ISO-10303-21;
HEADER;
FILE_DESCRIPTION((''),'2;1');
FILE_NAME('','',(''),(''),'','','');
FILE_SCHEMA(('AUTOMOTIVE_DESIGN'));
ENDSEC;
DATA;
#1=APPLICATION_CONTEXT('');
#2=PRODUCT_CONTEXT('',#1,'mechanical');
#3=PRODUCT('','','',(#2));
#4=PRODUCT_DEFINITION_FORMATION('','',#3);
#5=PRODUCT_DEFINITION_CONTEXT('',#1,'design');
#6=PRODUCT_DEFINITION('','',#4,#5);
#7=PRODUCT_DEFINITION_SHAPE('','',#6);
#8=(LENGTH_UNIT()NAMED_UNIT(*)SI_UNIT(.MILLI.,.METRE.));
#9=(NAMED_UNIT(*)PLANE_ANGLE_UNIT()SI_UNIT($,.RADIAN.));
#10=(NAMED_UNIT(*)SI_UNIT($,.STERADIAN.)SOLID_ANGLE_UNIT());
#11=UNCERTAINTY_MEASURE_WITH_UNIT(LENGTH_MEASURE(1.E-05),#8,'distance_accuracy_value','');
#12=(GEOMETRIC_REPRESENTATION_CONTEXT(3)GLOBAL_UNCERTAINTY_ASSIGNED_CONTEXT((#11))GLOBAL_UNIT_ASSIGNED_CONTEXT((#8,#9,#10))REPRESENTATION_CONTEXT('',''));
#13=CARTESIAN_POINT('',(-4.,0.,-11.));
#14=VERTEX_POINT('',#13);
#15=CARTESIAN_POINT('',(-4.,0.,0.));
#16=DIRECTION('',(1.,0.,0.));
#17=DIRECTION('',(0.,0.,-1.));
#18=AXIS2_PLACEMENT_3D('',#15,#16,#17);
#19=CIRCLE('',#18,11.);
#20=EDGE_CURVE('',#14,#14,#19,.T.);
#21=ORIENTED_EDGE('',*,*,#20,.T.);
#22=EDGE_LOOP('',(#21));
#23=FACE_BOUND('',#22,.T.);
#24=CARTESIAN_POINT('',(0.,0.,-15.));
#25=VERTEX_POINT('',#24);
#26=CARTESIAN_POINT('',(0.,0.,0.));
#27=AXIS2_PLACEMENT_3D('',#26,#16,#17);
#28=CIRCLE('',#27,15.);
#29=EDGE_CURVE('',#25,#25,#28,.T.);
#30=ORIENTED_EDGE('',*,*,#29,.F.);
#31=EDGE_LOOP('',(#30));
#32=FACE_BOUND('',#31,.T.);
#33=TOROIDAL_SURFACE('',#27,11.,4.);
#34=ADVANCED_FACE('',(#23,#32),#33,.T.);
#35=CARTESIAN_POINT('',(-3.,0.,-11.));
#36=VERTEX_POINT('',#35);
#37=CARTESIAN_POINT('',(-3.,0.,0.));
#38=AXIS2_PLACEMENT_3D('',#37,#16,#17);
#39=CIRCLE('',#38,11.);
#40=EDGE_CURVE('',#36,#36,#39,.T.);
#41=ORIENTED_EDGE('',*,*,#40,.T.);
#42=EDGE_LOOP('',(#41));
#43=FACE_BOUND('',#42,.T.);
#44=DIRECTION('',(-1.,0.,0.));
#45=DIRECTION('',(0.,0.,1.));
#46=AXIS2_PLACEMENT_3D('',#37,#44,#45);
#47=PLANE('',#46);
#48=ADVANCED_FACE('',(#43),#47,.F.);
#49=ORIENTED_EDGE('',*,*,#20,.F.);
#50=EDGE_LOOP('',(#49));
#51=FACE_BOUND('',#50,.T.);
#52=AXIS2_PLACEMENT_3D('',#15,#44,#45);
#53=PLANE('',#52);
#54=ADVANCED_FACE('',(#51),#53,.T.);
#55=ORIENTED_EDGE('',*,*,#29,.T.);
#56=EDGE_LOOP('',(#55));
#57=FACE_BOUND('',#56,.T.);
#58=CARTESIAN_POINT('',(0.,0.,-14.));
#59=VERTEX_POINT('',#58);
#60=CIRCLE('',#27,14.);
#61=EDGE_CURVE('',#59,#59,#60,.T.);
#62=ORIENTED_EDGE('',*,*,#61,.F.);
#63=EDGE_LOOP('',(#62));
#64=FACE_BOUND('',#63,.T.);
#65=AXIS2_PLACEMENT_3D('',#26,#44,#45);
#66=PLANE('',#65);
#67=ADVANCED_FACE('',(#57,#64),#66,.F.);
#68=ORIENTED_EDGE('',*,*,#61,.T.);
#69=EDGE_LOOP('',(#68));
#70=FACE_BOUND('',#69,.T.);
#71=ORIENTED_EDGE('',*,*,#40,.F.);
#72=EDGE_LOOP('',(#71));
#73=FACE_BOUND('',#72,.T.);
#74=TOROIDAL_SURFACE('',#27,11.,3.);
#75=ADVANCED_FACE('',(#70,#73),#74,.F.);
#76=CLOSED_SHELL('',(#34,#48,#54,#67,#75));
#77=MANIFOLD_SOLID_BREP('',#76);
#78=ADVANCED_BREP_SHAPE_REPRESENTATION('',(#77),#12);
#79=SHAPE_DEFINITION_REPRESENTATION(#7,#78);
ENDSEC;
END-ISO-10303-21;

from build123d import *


with BuildPart() as part:
    # Sketch1 → Revolve1 (revolve)
    with BuildSketch(Plane.XY):
        with BuildLine():
            Line((-3, 11), (-3, 0))
            Line((-3, 0), (-4, 0))
            Line((-4, 0), (-4, 11))
            ThreePointArc((-4, 11), (-2.828427125, 13.828427125), (0, 15))
            Line((0, 15), (0, 14))
            ThreePointArc((0, 14), (-2.121320344, 13.121320344), (-3, 11))
        make_face()
    revolve(axis=Axis((0, 0, 0), (-1, 0, 0)))


solid = part.part
